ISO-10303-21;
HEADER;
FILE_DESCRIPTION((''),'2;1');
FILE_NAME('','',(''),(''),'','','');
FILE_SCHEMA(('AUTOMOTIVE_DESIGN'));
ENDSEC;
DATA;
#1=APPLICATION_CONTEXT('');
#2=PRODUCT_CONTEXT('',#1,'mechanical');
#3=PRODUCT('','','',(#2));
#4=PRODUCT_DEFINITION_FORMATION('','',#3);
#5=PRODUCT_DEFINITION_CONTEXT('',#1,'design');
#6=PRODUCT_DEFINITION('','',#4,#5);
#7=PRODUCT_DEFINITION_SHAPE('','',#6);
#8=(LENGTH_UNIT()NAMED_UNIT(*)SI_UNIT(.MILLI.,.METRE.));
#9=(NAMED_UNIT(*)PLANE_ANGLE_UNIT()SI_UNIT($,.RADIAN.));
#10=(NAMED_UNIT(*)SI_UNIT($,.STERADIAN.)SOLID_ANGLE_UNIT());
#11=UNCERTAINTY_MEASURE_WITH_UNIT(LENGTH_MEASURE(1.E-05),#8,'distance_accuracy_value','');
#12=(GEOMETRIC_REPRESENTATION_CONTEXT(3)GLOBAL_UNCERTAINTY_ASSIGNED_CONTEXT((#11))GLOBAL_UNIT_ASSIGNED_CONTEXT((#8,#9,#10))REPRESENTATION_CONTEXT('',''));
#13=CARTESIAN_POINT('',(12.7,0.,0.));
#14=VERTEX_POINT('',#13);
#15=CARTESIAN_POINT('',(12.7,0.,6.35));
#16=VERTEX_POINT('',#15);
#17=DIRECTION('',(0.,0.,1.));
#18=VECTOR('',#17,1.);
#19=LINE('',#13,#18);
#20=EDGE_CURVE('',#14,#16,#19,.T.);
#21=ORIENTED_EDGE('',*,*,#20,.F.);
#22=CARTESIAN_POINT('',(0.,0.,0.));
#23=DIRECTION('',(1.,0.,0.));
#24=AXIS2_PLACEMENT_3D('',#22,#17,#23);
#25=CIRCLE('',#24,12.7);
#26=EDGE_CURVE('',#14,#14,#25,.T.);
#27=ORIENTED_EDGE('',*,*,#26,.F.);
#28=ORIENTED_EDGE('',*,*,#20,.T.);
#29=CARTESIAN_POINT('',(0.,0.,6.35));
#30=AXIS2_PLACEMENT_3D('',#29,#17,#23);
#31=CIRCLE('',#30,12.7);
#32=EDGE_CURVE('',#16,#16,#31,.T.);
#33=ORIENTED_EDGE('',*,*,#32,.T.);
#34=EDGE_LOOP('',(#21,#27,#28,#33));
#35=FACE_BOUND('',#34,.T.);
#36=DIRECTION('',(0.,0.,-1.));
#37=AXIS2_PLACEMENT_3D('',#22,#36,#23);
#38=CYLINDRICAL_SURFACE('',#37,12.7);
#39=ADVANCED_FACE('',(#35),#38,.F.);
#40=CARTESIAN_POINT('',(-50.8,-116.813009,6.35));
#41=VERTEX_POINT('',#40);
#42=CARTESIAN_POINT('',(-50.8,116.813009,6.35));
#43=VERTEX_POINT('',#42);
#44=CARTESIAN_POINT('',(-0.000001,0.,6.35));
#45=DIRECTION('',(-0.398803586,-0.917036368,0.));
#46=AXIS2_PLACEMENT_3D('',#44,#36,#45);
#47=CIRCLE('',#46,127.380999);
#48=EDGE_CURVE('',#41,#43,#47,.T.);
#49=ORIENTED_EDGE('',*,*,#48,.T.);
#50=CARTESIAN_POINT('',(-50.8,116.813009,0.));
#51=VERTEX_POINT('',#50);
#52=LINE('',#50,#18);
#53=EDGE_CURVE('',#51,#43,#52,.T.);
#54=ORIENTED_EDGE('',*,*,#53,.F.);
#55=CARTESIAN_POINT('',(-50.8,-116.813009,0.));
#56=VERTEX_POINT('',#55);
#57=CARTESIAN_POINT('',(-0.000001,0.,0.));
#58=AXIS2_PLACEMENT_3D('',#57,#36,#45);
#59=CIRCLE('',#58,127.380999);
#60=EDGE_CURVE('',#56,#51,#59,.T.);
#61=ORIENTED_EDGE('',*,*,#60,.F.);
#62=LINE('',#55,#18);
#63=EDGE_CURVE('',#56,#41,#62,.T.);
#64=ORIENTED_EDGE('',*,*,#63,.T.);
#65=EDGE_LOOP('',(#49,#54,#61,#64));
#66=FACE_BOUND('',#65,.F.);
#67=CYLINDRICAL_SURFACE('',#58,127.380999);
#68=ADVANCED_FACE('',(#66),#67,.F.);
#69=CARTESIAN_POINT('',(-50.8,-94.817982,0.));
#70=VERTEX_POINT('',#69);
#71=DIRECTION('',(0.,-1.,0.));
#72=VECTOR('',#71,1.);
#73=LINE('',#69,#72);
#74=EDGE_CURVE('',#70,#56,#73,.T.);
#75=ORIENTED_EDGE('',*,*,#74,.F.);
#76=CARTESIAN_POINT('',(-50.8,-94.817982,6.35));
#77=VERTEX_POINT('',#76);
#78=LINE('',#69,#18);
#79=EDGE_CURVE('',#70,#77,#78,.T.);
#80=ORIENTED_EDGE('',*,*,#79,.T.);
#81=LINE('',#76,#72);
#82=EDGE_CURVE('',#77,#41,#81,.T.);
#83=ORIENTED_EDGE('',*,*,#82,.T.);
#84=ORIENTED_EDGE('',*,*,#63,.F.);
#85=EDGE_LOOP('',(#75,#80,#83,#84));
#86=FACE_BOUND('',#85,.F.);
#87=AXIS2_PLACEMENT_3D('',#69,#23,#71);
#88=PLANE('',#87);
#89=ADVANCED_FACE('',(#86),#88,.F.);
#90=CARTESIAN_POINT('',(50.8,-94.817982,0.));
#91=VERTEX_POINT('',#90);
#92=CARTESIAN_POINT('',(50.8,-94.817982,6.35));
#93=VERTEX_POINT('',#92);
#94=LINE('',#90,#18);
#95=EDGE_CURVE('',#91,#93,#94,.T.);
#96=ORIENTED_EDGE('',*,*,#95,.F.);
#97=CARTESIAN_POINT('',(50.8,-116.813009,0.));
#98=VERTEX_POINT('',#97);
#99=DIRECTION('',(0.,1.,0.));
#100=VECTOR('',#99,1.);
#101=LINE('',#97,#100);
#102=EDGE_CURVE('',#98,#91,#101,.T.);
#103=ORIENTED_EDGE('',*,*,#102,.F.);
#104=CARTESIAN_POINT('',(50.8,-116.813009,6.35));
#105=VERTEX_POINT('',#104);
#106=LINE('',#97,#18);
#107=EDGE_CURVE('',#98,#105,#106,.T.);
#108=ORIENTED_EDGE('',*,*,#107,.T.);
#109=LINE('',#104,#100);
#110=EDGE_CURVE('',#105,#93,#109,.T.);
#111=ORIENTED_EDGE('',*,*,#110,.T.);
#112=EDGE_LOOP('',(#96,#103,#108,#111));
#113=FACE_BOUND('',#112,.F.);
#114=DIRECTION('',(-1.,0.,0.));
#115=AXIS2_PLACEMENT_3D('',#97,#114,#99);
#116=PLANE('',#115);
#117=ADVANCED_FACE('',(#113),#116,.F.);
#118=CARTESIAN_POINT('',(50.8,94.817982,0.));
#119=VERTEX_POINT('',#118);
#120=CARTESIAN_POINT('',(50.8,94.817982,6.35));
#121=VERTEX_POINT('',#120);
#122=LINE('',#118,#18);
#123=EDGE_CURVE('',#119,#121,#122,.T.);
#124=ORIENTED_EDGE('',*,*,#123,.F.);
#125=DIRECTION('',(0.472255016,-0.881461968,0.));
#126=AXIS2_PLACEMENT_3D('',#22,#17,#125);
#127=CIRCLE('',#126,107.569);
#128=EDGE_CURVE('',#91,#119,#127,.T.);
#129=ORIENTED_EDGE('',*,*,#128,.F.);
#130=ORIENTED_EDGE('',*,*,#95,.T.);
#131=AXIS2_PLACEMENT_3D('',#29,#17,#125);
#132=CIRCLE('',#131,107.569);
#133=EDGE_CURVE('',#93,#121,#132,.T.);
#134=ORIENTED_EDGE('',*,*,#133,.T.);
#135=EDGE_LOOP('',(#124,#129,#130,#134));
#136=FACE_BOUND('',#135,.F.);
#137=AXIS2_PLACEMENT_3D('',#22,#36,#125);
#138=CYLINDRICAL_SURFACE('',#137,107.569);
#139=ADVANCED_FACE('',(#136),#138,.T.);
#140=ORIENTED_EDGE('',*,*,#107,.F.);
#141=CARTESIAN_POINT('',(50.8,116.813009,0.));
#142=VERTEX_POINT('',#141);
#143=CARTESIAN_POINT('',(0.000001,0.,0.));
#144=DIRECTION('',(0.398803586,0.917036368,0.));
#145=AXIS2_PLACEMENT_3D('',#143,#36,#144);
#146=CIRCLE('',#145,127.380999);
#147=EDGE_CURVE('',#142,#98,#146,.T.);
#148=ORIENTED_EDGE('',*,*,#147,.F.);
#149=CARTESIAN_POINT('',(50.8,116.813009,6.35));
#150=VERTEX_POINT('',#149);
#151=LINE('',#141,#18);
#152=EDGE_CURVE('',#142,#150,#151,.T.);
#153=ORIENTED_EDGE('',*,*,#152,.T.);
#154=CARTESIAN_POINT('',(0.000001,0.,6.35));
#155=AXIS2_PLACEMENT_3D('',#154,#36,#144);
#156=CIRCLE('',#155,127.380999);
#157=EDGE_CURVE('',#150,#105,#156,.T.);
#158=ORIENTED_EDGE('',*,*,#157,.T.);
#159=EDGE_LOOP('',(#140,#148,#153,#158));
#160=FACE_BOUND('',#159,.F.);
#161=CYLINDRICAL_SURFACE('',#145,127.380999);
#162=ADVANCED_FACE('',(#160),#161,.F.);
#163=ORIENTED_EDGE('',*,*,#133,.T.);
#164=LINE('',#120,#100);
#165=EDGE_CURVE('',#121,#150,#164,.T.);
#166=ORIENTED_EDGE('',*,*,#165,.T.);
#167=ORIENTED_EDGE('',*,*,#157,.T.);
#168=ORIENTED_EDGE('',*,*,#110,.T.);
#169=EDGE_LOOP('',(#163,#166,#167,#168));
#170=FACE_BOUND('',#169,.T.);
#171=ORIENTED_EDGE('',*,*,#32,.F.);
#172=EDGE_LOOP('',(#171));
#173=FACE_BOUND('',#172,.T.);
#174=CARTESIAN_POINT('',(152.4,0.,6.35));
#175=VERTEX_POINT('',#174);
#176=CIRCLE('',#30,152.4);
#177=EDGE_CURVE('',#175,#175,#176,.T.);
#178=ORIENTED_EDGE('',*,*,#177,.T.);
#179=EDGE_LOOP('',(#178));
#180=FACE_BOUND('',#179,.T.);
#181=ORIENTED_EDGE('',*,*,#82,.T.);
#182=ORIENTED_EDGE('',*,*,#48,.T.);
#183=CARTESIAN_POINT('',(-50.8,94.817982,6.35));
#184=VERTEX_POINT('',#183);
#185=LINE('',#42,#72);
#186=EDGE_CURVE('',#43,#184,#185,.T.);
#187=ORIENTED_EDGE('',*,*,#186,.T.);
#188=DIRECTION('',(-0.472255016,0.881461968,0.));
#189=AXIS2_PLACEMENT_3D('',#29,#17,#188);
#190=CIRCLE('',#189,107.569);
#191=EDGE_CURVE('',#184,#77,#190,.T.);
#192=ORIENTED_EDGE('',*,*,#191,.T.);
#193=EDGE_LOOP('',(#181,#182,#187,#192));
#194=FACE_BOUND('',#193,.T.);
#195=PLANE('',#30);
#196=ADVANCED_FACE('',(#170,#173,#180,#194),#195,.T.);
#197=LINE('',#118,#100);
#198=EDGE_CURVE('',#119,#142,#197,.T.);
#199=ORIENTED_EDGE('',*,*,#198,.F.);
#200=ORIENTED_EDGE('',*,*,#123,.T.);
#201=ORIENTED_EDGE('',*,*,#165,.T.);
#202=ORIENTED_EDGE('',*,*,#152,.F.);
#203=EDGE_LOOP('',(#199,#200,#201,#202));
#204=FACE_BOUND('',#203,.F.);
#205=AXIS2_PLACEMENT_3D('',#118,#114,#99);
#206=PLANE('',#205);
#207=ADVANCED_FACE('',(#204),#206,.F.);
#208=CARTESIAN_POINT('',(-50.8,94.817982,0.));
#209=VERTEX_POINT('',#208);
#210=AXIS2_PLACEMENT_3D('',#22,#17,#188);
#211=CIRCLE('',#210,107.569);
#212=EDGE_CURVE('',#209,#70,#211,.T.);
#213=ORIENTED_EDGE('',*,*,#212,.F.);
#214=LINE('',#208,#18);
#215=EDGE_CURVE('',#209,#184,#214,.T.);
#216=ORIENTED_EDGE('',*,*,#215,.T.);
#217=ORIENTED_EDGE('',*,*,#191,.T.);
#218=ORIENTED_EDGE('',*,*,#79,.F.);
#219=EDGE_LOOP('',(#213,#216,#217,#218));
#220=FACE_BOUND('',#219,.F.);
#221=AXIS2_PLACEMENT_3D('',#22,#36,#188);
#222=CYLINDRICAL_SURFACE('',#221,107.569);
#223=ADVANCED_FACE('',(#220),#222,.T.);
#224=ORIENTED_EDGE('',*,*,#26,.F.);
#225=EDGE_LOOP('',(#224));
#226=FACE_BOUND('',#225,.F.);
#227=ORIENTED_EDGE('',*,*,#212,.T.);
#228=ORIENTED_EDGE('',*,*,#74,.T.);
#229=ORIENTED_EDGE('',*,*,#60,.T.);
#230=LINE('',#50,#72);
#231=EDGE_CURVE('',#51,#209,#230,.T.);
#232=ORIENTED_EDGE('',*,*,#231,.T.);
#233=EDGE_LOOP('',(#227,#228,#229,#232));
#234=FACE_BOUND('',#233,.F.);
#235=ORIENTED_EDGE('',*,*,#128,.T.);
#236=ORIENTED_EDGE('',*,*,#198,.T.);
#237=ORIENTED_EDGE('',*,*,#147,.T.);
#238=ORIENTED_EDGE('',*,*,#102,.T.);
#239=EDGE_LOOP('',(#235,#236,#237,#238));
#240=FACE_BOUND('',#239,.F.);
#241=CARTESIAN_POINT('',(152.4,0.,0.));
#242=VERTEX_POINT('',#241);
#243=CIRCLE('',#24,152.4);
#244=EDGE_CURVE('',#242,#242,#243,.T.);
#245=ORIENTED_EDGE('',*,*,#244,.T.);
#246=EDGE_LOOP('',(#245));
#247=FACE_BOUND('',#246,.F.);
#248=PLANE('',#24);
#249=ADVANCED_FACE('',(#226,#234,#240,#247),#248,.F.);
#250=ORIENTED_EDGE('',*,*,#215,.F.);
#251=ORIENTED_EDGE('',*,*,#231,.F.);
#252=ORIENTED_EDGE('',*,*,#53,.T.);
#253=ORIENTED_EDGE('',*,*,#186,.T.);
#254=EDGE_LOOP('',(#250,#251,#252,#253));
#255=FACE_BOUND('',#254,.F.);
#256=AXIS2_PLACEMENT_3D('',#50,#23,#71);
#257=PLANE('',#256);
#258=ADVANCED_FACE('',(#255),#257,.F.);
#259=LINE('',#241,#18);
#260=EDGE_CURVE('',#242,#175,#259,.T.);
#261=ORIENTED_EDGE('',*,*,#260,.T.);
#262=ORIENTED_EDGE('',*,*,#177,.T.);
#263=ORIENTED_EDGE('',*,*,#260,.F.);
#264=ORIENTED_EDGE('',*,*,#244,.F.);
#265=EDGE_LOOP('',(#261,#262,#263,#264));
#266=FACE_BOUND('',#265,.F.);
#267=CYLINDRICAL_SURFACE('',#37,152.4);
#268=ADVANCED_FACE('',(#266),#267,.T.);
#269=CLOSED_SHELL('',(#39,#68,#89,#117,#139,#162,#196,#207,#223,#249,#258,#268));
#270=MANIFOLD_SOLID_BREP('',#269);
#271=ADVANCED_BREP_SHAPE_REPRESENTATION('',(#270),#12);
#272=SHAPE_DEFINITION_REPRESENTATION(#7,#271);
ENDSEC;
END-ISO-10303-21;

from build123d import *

# Parameters (mm, degrees)
F0_R     = 152.4
F0_R_2   = 12.7
F1_DEPTH = 6.35


with BuildPart() as f1:
    # F0 (on Top) → F1 (new body)
    with BuildSketch(Plane.XY):
        Circle(F0_R)
        with BuildLine():
            ThreePointArc((-50.8, -116.813009), (-127.381, 0), (-50.8, 116.813009))
            Line((-50.8, 116.813009), (-50.8, 94.817982))
            ThreePointArc((-50.8, 94.817982), (-107.569, 0), (-50.8, -94.817982))
            Line((-50.8, -94.817982), (-50.8, -116.813009))
        make_face(mode=Mode.SUBTRACT)
        Circle(F0_R_2, mode=Mode.SUBTRACT)
        with BuildLine():
            Line((50.8, 94.817982), (50.8, 116.813009))
            ThreePointArc((50.8, 116.813009), (127.381, 0), (50.8, -116.813009))
            Line((50.8, -116.813009), (50.8, -94.817982))
            ThreePointArc((50.8, -94.817982), (107.569, 0), (50.8, 94.817982))
        make_face(mode=Mode.SUBTRACT)
    extrude(amount=F1_DEPTH)


solid = f1.part
